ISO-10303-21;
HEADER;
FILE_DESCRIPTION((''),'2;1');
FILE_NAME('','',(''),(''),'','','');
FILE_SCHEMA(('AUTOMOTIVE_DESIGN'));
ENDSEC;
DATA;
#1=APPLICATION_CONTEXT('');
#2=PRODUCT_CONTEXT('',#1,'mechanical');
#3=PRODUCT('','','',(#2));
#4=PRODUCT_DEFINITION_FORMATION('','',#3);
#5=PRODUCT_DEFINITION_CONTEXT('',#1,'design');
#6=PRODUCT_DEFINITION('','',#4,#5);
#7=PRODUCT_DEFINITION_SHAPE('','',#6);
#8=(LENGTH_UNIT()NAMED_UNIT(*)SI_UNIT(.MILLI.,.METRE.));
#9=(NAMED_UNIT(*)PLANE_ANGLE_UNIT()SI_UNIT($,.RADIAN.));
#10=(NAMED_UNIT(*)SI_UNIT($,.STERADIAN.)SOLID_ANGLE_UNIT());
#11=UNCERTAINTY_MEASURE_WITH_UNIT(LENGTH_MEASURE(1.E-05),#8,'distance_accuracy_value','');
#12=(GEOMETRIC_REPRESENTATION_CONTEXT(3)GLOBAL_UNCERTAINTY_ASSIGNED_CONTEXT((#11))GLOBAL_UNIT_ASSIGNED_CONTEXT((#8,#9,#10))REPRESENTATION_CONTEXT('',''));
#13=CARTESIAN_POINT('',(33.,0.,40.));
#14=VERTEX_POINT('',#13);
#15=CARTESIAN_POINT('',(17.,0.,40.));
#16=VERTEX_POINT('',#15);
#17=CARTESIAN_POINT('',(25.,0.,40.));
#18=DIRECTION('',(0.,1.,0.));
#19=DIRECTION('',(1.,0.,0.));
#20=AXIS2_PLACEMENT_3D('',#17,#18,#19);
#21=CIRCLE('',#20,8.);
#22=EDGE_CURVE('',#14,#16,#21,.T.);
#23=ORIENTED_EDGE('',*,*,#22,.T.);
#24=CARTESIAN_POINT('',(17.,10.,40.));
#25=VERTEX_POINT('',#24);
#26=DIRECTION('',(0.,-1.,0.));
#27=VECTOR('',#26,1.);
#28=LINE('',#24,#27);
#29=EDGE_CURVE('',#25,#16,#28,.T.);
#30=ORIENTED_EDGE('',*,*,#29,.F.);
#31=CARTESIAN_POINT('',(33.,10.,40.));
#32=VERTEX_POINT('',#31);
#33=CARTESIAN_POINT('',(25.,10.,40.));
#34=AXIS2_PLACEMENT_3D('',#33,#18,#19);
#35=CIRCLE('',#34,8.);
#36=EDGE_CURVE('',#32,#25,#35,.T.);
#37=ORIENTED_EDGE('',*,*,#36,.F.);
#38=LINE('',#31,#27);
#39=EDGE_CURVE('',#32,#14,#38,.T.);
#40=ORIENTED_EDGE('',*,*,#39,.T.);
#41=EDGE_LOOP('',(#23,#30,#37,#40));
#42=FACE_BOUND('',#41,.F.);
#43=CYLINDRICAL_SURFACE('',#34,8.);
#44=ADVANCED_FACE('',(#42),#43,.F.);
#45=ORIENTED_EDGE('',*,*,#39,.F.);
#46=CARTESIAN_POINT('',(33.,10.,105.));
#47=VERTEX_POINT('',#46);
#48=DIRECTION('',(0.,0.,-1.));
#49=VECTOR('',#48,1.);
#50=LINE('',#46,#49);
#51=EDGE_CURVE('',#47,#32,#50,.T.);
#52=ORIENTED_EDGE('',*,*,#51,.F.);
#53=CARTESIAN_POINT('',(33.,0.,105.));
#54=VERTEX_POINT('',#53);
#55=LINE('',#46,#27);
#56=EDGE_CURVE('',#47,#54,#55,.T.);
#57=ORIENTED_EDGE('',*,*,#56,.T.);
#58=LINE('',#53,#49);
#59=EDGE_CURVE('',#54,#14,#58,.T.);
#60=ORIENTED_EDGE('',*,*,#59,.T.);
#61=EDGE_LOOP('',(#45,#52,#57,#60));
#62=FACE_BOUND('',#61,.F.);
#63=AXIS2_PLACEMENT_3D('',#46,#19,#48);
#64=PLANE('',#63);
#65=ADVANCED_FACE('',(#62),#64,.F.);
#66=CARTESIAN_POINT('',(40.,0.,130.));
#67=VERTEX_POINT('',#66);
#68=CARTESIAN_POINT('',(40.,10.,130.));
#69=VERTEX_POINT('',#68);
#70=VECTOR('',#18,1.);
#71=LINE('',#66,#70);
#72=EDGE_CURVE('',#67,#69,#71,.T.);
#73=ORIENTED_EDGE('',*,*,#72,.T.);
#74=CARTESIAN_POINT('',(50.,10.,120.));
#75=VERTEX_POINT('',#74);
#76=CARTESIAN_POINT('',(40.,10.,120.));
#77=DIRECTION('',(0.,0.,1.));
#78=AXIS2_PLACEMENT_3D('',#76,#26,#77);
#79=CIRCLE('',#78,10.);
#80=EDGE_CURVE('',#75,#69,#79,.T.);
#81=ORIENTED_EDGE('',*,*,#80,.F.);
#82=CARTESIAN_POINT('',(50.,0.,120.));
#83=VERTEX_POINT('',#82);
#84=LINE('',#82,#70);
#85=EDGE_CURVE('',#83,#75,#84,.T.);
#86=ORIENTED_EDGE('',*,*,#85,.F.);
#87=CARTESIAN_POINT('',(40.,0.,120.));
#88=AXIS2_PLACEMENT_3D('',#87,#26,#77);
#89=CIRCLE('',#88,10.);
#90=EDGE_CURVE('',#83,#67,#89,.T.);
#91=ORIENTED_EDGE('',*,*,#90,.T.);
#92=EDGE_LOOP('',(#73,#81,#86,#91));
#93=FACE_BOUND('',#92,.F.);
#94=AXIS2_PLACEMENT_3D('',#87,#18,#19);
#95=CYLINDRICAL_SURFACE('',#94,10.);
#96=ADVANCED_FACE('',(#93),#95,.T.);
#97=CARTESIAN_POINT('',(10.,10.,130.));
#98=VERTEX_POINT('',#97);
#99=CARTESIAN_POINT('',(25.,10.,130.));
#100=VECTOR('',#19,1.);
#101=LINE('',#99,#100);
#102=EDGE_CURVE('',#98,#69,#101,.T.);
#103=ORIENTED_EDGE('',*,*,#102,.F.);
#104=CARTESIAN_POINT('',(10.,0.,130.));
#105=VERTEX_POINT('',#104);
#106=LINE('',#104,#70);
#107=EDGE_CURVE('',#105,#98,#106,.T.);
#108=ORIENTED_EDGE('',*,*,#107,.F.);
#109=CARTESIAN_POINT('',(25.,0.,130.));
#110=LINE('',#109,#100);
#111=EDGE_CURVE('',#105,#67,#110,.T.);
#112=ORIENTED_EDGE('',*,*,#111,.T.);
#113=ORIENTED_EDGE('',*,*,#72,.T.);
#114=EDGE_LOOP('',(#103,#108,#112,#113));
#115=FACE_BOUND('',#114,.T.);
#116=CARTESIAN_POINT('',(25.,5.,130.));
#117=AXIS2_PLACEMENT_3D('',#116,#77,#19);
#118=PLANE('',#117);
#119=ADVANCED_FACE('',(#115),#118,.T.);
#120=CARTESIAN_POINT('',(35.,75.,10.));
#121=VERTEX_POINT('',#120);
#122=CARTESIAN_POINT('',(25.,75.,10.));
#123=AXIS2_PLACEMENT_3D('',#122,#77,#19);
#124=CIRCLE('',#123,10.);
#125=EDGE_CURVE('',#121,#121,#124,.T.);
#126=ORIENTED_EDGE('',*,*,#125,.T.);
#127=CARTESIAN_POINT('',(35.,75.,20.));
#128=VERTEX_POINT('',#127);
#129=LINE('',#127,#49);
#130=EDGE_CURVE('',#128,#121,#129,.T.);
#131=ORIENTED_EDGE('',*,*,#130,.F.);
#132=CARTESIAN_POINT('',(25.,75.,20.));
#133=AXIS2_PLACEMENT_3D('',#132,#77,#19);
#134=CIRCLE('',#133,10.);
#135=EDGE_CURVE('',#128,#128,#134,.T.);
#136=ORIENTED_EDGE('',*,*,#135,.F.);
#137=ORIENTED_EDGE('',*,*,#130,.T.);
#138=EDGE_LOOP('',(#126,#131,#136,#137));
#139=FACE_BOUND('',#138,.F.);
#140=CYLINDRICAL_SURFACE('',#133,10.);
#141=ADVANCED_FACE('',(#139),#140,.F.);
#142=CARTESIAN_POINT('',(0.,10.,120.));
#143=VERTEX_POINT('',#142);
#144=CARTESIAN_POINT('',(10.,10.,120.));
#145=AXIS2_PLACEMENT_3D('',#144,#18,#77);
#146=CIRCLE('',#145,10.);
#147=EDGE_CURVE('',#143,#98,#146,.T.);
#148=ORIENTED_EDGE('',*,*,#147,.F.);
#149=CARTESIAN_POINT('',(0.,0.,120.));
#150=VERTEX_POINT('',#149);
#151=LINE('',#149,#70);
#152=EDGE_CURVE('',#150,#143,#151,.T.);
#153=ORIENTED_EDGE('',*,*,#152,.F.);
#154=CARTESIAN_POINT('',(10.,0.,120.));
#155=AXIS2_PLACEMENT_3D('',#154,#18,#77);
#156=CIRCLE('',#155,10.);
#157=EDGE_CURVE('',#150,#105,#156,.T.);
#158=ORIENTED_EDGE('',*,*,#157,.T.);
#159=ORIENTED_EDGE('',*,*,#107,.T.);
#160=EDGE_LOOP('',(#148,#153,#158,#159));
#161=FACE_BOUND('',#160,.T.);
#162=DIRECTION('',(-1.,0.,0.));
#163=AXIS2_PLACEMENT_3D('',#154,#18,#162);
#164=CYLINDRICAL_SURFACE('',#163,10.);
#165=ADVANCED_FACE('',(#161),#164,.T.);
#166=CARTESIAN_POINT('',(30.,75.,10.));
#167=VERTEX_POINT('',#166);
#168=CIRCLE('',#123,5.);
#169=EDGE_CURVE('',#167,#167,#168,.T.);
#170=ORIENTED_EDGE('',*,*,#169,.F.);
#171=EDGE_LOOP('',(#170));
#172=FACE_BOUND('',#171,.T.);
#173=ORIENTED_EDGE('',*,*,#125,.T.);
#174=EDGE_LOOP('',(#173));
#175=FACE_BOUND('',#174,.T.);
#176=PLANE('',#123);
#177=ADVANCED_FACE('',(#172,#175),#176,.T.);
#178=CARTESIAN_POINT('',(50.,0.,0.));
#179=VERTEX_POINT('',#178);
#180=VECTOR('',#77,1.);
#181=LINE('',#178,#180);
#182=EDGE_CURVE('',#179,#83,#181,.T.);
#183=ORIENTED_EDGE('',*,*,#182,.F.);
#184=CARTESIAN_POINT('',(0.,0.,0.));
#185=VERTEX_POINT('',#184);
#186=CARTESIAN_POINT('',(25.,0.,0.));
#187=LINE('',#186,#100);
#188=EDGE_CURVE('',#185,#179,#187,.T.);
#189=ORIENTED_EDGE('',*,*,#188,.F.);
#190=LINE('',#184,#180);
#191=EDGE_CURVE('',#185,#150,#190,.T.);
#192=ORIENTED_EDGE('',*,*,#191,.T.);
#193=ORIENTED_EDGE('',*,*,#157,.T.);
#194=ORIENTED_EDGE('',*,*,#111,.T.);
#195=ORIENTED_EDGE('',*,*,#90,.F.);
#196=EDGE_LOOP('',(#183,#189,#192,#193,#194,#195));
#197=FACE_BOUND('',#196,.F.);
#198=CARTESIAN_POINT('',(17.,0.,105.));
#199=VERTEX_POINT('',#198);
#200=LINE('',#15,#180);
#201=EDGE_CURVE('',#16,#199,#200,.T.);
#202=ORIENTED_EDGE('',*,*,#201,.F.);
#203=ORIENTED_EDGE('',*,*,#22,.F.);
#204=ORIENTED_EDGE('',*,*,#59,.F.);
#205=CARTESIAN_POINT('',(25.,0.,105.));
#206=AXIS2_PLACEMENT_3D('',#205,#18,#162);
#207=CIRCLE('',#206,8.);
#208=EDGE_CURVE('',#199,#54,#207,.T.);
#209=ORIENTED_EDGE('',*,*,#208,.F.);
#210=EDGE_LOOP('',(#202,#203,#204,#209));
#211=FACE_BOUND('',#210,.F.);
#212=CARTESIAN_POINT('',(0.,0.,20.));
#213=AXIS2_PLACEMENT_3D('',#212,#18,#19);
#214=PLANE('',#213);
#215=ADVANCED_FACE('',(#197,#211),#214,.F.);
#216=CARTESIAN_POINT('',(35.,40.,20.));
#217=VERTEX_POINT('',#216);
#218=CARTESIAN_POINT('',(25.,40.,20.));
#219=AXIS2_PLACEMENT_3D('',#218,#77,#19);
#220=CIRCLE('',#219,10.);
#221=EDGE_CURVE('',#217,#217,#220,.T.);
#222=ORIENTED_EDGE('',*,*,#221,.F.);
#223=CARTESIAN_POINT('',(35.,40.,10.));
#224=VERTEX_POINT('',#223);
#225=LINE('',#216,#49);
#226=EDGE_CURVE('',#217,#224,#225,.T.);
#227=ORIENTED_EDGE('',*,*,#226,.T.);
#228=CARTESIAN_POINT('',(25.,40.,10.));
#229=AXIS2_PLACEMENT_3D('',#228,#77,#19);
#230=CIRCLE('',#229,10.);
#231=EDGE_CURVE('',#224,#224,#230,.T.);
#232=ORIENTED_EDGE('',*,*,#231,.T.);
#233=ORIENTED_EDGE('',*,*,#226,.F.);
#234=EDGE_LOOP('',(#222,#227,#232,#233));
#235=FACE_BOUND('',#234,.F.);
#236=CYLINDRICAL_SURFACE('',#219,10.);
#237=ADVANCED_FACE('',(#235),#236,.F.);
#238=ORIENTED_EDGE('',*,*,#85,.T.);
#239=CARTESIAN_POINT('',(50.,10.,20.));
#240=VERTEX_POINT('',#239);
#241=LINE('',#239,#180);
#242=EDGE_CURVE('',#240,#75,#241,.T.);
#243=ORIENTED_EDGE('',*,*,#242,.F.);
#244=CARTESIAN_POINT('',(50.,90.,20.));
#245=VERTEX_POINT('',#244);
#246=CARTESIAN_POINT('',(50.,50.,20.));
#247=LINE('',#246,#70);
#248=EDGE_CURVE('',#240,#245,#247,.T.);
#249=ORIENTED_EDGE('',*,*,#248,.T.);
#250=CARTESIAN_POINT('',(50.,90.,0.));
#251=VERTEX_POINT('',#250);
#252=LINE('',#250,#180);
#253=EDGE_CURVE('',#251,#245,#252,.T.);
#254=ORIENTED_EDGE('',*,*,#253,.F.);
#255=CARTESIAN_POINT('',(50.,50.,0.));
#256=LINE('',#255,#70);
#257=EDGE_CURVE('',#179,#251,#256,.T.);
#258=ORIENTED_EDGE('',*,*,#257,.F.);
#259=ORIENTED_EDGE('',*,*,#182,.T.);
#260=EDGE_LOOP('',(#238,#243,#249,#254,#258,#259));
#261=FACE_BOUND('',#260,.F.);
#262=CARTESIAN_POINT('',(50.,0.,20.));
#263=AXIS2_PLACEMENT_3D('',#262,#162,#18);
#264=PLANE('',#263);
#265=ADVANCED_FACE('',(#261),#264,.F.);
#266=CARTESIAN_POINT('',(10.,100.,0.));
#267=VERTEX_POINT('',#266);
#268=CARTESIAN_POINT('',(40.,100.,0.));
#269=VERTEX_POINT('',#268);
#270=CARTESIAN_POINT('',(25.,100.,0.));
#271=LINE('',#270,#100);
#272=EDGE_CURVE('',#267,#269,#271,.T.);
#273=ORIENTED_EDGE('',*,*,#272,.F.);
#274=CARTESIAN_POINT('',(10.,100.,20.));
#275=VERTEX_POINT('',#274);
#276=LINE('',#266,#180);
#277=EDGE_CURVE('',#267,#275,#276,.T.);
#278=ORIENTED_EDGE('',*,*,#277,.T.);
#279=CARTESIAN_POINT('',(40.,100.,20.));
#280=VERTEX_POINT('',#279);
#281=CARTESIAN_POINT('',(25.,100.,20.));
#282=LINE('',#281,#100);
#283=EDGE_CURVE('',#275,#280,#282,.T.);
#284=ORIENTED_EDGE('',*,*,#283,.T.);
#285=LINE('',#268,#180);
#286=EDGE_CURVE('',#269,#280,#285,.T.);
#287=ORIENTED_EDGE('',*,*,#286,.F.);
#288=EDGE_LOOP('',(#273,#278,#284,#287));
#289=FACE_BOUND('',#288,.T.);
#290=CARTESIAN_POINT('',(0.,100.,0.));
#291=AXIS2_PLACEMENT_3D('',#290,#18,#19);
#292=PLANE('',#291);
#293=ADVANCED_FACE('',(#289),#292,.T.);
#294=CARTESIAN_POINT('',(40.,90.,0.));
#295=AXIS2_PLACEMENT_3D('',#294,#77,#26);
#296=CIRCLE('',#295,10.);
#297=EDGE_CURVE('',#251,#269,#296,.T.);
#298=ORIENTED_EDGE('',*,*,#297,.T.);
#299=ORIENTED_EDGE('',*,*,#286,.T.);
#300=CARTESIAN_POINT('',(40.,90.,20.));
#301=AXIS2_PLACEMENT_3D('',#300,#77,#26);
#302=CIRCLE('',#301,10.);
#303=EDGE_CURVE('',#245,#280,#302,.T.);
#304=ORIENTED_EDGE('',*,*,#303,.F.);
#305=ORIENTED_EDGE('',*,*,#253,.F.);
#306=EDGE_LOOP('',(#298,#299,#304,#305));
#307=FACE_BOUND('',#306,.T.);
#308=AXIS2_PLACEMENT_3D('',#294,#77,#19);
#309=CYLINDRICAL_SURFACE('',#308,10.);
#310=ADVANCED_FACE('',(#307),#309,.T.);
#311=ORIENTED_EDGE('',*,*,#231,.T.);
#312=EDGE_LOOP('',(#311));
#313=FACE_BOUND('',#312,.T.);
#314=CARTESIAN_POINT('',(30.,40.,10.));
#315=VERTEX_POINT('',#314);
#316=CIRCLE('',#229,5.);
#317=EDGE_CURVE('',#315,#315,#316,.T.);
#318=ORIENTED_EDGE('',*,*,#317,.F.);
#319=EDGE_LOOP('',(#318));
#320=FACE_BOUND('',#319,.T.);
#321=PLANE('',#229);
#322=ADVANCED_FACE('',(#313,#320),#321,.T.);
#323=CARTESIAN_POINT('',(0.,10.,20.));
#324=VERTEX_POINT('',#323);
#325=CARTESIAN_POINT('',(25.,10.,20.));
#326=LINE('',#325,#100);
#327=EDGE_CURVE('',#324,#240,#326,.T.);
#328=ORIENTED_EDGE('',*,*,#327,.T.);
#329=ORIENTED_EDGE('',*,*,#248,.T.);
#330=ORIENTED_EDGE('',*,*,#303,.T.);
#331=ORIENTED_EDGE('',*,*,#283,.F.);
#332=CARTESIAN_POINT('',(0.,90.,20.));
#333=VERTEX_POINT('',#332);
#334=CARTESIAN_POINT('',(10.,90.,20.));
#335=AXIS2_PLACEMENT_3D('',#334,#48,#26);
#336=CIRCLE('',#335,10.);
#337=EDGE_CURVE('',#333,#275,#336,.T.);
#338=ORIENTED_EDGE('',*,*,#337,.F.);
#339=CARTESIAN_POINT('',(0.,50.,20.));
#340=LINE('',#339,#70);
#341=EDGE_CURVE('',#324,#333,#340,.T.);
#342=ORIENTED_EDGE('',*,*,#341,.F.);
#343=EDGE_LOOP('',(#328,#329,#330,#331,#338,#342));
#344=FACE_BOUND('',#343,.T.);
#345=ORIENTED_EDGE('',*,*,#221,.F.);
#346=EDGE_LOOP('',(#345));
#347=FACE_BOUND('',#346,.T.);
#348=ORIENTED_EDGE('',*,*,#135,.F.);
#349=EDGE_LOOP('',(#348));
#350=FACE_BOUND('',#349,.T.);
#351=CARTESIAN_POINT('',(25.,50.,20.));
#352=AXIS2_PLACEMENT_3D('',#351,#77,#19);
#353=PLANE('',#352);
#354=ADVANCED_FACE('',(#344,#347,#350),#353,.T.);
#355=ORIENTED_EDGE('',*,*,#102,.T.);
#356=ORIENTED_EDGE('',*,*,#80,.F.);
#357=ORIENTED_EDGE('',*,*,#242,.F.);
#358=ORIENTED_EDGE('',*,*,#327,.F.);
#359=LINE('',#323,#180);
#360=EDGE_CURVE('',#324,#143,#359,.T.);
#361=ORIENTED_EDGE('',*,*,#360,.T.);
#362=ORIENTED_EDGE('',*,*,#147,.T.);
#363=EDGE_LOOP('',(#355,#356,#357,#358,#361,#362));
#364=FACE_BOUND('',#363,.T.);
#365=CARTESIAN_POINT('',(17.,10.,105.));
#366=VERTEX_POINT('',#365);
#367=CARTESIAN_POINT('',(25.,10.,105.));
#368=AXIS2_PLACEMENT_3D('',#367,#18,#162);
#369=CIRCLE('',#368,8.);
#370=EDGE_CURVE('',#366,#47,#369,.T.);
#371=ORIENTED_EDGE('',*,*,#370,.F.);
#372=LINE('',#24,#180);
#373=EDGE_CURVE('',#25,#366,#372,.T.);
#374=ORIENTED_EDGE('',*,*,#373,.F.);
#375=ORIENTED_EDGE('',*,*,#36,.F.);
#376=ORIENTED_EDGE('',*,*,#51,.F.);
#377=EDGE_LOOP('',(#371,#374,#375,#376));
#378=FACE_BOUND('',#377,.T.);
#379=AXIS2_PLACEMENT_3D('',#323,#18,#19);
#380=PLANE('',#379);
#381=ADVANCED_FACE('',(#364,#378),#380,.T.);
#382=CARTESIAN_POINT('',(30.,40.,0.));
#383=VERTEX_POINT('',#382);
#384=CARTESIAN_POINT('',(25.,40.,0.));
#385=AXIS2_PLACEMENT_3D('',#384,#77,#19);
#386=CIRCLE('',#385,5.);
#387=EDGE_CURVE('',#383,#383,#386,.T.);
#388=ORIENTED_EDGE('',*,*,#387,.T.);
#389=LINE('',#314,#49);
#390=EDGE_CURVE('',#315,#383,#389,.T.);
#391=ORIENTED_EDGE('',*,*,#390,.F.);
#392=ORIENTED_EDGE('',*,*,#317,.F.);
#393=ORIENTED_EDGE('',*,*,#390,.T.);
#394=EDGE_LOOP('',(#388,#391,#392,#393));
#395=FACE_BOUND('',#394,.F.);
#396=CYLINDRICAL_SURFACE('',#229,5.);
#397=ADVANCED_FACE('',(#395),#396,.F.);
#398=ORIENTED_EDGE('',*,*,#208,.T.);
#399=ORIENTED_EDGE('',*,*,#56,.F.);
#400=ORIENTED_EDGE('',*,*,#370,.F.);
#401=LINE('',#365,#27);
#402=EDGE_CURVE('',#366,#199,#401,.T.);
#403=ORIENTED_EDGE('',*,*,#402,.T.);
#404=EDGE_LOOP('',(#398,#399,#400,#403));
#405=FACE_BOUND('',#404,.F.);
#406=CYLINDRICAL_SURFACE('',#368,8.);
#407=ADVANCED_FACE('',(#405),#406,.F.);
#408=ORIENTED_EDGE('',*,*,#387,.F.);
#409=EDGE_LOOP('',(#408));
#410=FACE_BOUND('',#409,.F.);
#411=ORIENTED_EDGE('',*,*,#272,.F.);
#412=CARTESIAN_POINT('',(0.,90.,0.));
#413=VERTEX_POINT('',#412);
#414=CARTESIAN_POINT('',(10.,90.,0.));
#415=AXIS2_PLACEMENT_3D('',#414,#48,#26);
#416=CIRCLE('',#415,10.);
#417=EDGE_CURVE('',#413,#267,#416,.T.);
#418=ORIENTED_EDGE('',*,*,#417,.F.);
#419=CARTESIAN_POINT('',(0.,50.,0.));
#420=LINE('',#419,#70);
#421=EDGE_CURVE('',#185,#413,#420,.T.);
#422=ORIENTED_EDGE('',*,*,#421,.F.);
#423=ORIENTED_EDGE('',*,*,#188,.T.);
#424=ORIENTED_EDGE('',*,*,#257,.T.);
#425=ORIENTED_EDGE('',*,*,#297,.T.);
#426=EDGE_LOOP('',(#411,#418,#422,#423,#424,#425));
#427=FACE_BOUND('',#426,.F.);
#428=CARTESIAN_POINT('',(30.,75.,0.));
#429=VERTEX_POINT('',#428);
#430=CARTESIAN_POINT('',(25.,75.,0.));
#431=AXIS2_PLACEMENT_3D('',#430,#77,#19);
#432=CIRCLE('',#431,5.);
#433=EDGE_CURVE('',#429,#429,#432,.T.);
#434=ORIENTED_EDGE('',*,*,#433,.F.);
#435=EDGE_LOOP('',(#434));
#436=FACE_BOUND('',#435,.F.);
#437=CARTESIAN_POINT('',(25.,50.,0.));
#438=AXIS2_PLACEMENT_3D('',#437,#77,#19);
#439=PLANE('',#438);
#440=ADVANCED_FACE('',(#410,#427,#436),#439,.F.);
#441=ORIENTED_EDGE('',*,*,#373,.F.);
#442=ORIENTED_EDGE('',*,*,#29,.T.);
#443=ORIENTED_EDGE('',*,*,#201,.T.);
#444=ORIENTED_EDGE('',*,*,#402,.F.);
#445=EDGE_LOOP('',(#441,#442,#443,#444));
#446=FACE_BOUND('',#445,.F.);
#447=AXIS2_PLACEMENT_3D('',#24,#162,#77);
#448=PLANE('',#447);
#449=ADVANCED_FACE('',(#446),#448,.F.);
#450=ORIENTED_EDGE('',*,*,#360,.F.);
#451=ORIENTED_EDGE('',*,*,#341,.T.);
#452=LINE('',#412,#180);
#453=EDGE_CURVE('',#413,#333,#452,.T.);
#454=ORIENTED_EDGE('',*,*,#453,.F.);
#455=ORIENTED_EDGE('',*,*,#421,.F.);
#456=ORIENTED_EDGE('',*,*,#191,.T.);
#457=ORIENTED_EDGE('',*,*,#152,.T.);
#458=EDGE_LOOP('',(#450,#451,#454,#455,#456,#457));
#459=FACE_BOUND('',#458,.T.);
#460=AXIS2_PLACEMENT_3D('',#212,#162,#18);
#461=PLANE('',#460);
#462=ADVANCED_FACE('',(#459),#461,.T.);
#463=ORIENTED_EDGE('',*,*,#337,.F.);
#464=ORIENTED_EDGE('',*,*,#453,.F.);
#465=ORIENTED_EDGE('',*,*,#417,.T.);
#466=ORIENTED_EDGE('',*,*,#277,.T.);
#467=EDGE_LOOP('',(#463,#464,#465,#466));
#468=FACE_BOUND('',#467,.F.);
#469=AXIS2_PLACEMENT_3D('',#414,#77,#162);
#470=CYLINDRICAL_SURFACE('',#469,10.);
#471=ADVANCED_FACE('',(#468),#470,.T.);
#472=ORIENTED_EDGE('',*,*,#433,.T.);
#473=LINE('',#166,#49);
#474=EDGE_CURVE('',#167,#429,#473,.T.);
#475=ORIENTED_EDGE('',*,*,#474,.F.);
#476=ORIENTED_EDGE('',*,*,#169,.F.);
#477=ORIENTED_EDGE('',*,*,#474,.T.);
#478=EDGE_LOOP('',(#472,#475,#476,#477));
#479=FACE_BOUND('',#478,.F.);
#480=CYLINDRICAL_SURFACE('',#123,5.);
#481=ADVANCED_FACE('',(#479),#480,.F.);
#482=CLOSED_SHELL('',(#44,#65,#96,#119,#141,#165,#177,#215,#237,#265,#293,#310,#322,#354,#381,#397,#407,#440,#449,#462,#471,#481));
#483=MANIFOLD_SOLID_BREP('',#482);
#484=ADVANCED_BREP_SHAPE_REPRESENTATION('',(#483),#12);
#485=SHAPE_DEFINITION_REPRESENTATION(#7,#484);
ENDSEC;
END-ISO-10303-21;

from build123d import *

# Parameters (mm, degrees)
F0_W      = 50
F0_H      = 100
F1_DEPTH  = 20
F2_R      = 10
F3_DEPTH  = 10
F4_R      = 5
F5_DEPTH  = 10
F6_R      = 5
F7_DEPTH  = 10
F8_W      = 50
F8_H      = 10
F9_DEPTH  = 110
F10_R     = 10
F12_DEPTH = 10


with BuildPart() as f1:
    # F0 (on Top) → F1 (new body)
    with BuildSketch(Plane.XY):
        with Locations((25, 50)):
            Rectangle(F0_W, F0_H)
    extrude(amount=F1_DEPTH)

    # F2 (on face) → F3 (cut)
    with BuildSketch(Plane.XY.offset(20)):
        with Locations((25, 75)):
            Circle(F2_R)
        with Locations((25, 40)):
            Circle(F2_R)
    extrude(amount=-F3_DEPTH, mode=Mode.SUBTRACT)

    # F4 (on face) → F5 (cut)
    with BuildSketch(Plane.XY.offset(10)):
        with Locations((25, 75)):
            Circle(F4_R)
    extrude(amount=-F5_DEPTH, mode=Mode.SUBTRACT)

    # F6 (on face) → F7 (cut)
    with BuildSketch(Plane.XY.offset(10)):
        with Locations((25, 40)):
            Circle(F6_R)
    extrude(amount=-F7_DEPTH, mode=Mode.SUBTRACT)

    # F8 (on face) → F9 (join)
    with BuildSketch(Plane.XY.offset(20)):
        with Locations((25, 5)):
            Rectangle(F8_W, F8_H)
    extrude(amount=F9_DEPTH)

    # F10
    f10_edges = [f1.edges().sort_by_distance(p)[0] for p in [
        (0, 100, 10),
        (50, 100, 10),
        (0, 5, 130),
        (50, 5, 130),
    ]]
    fillet(f10_edges, radius=F10_R)

    # F11 (on face) → F12 (cut)
    with BuildSketch(Plane(origin=(0, 10, 0), x_dir=(-1, 0, 0), z_dir=(0, 1, 0))):
        with BuildLine():
            Line((-33, 105), (-33, 40))
            ThreePointArc((-33, 40), (-25, 32), (-17, 40))
            Line((-17, 40), (-17, 105))
            ThreePointArc((-17, 105), (-25, 113), (-33, 105))
        make_face()
    extrude(amount=-F12_DEPTH, mode=Mode.SUBTRACT)


solid = f1.part
